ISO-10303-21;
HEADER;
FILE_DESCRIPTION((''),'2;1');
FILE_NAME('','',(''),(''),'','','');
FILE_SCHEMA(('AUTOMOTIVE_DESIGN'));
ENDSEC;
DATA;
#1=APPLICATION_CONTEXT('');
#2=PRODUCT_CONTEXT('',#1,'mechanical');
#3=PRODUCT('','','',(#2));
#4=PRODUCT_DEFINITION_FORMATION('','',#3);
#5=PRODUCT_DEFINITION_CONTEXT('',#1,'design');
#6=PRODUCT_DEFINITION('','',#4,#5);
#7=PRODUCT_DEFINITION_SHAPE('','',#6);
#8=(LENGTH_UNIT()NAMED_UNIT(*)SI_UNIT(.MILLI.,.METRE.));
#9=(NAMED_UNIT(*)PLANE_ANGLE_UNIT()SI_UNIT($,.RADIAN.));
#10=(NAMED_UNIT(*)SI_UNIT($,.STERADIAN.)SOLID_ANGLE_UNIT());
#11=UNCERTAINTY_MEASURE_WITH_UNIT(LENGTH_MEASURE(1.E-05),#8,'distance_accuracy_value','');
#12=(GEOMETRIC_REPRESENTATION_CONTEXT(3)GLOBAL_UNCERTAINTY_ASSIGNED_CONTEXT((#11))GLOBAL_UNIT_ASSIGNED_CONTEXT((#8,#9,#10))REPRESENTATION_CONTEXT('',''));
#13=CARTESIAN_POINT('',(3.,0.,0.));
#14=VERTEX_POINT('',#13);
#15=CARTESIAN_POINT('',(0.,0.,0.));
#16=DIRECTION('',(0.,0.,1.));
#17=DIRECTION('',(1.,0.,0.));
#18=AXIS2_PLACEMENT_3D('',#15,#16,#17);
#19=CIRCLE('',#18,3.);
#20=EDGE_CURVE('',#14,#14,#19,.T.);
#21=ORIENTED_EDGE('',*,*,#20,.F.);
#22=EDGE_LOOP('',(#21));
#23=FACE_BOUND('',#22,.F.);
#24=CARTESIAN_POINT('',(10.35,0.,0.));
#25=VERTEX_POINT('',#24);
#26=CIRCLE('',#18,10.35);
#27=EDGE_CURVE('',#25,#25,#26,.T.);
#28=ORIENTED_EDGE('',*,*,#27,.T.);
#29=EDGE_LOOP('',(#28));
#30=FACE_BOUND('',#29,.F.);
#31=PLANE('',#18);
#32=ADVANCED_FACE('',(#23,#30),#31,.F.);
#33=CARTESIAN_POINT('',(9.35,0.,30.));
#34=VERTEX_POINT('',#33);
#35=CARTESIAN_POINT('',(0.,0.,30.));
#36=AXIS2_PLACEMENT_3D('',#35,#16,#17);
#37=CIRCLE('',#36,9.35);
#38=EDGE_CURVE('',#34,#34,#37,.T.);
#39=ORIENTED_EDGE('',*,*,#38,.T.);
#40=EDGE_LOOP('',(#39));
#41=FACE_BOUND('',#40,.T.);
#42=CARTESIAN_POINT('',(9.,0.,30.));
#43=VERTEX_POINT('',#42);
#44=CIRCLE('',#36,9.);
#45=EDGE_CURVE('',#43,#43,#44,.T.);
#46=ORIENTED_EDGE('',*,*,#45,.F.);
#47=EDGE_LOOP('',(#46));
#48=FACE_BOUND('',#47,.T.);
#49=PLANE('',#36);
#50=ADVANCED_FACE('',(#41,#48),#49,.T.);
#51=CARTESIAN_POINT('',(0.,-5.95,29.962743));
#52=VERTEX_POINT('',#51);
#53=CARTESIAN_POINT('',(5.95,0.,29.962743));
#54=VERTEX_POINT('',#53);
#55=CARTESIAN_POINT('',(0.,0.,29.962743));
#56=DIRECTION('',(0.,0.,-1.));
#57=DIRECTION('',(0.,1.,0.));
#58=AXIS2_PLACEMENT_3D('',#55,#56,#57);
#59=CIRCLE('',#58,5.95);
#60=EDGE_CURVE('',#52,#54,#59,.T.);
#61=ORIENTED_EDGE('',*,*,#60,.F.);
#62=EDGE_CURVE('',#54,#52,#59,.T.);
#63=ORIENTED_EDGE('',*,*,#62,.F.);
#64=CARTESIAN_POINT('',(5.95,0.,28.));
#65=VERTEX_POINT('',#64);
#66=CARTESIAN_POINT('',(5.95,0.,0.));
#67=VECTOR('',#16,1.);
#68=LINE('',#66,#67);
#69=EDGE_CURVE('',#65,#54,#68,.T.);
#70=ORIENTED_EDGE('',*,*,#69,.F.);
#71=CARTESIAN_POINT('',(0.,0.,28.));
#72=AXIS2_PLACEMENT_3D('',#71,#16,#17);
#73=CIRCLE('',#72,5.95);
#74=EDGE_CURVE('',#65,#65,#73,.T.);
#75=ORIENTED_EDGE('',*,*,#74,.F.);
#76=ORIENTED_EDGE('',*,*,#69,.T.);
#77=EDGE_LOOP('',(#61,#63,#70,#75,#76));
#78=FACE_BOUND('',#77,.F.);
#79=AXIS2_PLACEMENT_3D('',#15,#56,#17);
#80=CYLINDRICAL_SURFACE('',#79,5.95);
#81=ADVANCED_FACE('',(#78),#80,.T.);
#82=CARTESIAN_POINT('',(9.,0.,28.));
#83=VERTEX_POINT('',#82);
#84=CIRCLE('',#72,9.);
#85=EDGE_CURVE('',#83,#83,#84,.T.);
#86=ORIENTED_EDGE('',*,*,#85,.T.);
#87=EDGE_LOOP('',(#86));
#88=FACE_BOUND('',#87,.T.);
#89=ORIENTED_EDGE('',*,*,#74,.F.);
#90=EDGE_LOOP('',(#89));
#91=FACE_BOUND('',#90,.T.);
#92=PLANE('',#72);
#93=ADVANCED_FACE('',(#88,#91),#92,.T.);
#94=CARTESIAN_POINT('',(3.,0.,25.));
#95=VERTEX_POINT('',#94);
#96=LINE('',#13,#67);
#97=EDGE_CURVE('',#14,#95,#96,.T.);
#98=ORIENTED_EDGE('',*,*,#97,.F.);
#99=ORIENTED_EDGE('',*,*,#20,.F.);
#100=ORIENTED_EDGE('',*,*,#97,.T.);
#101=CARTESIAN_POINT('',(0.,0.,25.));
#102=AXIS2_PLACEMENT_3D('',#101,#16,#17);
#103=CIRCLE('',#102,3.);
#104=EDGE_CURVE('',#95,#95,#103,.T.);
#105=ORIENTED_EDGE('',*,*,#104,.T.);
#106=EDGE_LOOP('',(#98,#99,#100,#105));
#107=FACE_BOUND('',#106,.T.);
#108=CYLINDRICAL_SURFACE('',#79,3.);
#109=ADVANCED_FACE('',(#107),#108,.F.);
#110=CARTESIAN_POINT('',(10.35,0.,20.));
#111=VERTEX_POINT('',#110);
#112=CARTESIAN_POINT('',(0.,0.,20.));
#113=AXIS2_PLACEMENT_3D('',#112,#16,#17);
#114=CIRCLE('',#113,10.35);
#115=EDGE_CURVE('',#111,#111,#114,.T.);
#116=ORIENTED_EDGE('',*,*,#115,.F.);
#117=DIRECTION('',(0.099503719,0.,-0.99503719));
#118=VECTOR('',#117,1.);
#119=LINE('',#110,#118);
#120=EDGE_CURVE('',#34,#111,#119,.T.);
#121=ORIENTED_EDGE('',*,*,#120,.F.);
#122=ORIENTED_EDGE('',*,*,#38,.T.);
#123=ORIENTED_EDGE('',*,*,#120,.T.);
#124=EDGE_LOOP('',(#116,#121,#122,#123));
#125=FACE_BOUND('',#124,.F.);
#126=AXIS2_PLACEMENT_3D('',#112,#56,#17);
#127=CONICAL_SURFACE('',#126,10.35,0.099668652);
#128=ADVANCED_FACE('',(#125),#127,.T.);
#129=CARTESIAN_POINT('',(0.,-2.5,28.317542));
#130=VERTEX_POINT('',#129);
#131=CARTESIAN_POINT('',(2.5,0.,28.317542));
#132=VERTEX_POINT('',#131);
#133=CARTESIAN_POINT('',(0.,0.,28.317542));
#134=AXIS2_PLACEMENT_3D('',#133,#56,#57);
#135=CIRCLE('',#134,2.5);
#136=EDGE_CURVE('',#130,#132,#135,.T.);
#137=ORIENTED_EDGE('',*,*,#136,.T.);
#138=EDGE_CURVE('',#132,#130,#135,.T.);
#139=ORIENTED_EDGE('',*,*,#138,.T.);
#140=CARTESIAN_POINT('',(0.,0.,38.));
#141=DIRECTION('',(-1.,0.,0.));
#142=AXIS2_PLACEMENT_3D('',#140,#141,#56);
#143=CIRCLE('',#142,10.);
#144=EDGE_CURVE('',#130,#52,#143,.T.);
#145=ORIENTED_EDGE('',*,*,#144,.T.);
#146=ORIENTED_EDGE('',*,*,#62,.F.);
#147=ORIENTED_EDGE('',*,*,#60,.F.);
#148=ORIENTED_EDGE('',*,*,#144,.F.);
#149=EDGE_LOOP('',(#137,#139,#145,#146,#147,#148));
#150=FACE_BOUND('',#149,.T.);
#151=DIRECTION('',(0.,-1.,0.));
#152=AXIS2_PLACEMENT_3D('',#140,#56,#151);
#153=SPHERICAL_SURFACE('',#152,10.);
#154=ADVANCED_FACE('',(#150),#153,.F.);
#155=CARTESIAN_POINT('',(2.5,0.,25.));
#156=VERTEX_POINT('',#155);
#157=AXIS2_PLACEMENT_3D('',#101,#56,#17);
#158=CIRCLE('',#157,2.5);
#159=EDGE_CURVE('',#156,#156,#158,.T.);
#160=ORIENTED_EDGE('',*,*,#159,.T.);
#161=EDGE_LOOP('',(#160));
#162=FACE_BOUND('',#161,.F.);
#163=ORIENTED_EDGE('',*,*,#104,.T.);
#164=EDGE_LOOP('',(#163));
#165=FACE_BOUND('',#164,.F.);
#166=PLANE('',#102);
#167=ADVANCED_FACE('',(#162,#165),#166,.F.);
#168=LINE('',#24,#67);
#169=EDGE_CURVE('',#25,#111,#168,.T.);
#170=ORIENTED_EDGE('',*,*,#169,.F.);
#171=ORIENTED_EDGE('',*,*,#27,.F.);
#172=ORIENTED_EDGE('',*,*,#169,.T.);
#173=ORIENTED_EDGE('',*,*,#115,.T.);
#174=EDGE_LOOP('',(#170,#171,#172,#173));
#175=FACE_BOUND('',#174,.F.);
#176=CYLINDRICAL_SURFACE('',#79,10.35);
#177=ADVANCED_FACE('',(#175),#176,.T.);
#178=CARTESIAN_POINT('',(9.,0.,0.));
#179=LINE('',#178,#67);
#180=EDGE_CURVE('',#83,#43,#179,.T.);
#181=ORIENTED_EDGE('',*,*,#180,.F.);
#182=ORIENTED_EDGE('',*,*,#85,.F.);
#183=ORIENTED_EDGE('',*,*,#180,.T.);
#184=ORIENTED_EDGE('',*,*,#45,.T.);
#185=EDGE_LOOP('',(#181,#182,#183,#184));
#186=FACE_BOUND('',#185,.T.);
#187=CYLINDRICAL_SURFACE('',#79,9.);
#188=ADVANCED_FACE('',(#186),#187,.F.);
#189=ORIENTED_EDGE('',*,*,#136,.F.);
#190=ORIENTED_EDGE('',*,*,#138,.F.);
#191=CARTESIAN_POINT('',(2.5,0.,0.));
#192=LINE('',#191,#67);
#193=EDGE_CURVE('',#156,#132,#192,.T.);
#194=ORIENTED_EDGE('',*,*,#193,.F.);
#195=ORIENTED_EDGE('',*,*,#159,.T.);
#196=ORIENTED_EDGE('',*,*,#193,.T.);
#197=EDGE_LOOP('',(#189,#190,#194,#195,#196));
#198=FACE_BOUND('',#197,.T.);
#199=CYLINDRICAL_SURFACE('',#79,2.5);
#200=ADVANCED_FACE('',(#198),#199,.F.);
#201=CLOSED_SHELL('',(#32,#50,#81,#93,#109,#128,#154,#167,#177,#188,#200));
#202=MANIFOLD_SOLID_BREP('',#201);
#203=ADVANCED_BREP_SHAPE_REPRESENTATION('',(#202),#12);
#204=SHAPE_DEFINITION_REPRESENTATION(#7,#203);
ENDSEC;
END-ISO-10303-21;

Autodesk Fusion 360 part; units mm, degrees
sketch "Sketch1" plane through (0, 0, 0) normal (0, 0, 1) x (1, 0, 0)
  circle A0 centre (0, 0) radius 5.95
  circle A1 centre (0, 0) radius 9
  circle A2 centre (0, 0) radius 10.35
  circle A3 centre (0, 0) radius 2.5
  circle A4 centre (0, 0) radius 3
  dimension "d1" = 11.9
  dimension "d2" = 18
  dimension "d3" = 20.7
  dimension "d8" = 5
  dimension "d9" = 6
extrude "Extrude1" add sketch "Sketch1" along normal blind 30 contours A0 | A2 | A4 makes body 1 at (10.2986, -1.0305, 20) makes body 2 at (5.9204, -0.5924, 20)
extrude "Extrude2" add sketch "Sketch1" along normal blind 28 contours A1 bodies 1 2
extrude "Extrude3" cut sketch "Sketch1" along normal blind 25 contours A3 | A4 bodies 1
chamfer "Chamfer1" distance 1 distance2 10 1 edges at (-9.6496, -3.7427, 30) measured on face at (9.828, -0.9613, 30) on bodies 1
sketch "Sketch2" plane through (0, 0, 0) normal (1, 0, 0) x (0, 0, -1)
  arc A0 (-38, -10) -> (-28, 0) centre (-38, 0) ccw
  line L0 (-28, 0) -> (-38, 0)
  line L1 (-38, 0) -> (-38, -10)
  line L2 (-1.75, 0) -> (-22.5, 0)
  line L3 (-28, 0) -> (-28, -12) construction
  circle A1 centre (-29.55, -7.342) radius 1.55
  dimension "d14" = 10
  dimension "d15" = 38
  dimension "d19" = 3.1
revolve "Revolve1" cut sketch "Sketch2" angle 360 about axis through (0, 0, 28) along (0, 0, 1) contours A0 L0 L1 A1 | A0 A1 picked at (-30.5667, -6.5077) bodies 1
equation "d1 = d2 - ( 2 * 3.05 ) * 1 mm"
equation "d8 = draadstang - 2 * draadstangtolerance"
equation "d9 = draadstang"
equation "draadstang = 6 mm"
equation "draadstangtolerance = 0.5 mm"
